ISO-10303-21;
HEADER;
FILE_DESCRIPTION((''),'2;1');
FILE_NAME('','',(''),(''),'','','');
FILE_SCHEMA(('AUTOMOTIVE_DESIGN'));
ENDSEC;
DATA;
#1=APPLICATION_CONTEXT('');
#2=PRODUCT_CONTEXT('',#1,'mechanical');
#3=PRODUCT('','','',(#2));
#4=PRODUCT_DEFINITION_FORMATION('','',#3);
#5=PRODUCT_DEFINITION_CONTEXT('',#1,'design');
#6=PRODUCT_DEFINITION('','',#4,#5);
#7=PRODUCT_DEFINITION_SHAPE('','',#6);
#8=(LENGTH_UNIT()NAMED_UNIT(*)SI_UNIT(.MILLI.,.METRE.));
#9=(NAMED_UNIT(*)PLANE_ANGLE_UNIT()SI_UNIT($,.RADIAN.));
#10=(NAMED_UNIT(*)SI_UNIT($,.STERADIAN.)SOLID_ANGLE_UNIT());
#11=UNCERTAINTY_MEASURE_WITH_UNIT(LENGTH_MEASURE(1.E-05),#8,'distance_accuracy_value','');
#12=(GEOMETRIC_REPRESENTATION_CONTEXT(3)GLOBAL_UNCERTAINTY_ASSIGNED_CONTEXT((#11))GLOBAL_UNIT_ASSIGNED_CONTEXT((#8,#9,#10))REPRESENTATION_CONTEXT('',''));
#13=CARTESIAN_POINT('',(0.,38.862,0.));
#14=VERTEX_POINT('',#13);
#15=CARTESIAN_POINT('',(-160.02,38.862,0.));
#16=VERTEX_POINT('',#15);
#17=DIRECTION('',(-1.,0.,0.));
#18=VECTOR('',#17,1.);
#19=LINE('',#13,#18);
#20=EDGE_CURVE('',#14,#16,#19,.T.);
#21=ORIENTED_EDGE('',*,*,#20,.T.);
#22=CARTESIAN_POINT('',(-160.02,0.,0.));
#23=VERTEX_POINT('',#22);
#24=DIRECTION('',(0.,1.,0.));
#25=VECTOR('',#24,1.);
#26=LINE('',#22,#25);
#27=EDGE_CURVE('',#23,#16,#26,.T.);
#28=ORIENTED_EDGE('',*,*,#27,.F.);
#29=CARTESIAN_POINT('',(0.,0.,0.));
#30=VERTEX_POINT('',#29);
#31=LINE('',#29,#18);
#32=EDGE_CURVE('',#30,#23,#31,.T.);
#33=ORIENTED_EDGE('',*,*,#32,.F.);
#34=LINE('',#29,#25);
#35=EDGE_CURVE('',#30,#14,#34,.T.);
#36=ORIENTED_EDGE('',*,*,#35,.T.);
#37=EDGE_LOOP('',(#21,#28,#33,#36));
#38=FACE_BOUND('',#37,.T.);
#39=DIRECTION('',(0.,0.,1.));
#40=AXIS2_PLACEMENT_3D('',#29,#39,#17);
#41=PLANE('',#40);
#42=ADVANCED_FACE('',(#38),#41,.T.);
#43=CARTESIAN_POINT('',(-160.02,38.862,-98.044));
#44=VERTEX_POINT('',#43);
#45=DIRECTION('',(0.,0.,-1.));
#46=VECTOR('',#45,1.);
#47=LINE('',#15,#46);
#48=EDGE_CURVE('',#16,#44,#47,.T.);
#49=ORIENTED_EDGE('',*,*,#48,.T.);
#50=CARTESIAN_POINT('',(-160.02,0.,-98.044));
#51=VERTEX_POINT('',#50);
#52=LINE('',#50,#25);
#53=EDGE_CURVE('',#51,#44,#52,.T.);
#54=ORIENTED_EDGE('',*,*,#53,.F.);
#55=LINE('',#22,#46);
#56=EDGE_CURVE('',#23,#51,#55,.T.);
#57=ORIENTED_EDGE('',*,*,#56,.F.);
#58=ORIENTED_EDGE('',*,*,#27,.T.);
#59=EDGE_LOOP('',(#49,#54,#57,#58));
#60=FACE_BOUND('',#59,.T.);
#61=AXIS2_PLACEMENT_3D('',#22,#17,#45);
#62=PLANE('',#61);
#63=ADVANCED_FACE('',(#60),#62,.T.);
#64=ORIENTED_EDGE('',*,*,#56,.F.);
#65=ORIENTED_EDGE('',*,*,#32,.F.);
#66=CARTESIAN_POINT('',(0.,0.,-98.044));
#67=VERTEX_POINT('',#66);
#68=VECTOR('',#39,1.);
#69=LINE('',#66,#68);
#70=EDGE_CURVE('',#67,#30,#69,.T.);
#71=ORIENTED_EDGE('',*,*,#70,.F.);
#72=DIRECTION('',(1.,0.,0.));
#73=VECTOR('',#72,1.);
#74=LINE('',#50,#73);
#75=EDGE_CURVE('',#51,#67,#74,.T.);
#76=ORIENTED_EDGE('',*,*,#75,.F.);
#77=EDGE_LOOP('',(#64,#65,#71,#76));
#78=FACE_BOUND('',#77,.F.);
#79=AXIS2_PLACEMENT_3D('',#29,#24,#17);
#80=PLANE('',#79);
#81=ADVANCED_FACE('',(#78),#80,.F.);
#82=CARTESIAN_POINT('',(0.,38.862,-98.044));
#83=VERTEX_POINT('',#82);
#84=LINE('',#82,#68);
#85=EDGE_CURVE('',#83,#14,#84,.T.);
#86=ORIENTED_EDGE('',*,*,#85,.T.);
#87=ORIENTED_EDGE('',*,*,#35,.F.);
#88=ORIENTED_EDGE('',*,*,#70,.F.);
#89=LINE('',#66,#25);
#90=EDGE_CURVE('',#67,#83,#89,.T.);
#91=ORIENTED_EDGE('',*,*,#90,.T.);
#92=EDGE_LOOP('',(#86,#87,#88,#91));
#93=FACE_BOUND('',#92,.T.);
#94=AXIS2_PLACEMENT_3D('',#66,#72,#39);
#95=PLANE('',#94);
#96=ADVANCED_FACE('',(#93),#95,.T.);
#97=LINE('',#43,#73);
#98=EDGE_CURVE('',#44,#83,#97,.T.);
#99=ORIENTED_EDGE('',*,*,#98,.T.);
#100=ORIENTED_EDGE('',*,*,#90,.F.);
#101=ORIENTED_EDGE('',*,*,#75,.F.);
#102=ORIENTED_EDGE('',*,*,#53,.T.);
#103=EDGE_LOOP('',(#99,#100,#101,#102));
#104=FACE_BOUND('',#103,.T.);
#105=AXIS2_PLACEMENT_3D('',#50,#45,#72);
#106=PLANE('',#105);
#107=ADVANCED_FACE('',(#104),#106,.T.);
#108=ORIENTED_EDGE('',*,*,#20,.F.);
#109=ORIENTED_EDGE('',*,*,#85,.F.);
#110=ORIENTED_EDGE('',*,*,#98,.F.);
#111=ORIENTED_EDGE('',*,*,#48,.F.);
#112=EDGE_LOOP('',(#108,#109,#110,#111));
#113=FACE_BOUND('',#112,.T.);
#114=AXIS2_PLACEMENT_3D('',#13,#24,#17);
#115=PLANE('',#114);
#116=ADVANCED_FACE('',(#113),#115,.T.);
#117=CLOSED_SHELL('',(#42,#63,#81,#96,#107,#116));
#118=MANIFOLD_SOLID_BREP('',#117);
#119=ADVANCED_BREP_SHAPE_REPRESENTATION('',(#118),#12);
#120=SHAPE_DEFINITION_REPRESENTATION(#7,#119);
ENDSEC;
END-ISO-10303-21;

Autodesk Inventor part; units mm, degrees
ref_plane "YZ Plane" through (0, 0, 0) normal (1, 0, 0) x (0, 1, 0)
ref_plane "XZ Plane" through (0, 0, 0) normal (0, 1, 0) x (-1, 0, 0)
ref_plane "XY Plane" through (0, 0, 0) normal (0, 0, 1) x (1, 0, 0)
sketch "Sketch1" plane through (0, 0, 0) normal (0, 1, 0) x (-1, 0, 0)
  line L0 (0, 0) -> (160.02, 0)
  line L1 (160.02, 0) -> (160.02, -98.044)
  line L2 (160.02, -98.044) -> (0, -98.044)
  line L3 (0, -98.044) -> (0, 0)
  dimension "d0" = 160.02
  dimension "d1" = 98.044
extrude "Extrusion1" add sketch "Sketch1" along normal blind 38.862
properties part number "PowerSupply"
